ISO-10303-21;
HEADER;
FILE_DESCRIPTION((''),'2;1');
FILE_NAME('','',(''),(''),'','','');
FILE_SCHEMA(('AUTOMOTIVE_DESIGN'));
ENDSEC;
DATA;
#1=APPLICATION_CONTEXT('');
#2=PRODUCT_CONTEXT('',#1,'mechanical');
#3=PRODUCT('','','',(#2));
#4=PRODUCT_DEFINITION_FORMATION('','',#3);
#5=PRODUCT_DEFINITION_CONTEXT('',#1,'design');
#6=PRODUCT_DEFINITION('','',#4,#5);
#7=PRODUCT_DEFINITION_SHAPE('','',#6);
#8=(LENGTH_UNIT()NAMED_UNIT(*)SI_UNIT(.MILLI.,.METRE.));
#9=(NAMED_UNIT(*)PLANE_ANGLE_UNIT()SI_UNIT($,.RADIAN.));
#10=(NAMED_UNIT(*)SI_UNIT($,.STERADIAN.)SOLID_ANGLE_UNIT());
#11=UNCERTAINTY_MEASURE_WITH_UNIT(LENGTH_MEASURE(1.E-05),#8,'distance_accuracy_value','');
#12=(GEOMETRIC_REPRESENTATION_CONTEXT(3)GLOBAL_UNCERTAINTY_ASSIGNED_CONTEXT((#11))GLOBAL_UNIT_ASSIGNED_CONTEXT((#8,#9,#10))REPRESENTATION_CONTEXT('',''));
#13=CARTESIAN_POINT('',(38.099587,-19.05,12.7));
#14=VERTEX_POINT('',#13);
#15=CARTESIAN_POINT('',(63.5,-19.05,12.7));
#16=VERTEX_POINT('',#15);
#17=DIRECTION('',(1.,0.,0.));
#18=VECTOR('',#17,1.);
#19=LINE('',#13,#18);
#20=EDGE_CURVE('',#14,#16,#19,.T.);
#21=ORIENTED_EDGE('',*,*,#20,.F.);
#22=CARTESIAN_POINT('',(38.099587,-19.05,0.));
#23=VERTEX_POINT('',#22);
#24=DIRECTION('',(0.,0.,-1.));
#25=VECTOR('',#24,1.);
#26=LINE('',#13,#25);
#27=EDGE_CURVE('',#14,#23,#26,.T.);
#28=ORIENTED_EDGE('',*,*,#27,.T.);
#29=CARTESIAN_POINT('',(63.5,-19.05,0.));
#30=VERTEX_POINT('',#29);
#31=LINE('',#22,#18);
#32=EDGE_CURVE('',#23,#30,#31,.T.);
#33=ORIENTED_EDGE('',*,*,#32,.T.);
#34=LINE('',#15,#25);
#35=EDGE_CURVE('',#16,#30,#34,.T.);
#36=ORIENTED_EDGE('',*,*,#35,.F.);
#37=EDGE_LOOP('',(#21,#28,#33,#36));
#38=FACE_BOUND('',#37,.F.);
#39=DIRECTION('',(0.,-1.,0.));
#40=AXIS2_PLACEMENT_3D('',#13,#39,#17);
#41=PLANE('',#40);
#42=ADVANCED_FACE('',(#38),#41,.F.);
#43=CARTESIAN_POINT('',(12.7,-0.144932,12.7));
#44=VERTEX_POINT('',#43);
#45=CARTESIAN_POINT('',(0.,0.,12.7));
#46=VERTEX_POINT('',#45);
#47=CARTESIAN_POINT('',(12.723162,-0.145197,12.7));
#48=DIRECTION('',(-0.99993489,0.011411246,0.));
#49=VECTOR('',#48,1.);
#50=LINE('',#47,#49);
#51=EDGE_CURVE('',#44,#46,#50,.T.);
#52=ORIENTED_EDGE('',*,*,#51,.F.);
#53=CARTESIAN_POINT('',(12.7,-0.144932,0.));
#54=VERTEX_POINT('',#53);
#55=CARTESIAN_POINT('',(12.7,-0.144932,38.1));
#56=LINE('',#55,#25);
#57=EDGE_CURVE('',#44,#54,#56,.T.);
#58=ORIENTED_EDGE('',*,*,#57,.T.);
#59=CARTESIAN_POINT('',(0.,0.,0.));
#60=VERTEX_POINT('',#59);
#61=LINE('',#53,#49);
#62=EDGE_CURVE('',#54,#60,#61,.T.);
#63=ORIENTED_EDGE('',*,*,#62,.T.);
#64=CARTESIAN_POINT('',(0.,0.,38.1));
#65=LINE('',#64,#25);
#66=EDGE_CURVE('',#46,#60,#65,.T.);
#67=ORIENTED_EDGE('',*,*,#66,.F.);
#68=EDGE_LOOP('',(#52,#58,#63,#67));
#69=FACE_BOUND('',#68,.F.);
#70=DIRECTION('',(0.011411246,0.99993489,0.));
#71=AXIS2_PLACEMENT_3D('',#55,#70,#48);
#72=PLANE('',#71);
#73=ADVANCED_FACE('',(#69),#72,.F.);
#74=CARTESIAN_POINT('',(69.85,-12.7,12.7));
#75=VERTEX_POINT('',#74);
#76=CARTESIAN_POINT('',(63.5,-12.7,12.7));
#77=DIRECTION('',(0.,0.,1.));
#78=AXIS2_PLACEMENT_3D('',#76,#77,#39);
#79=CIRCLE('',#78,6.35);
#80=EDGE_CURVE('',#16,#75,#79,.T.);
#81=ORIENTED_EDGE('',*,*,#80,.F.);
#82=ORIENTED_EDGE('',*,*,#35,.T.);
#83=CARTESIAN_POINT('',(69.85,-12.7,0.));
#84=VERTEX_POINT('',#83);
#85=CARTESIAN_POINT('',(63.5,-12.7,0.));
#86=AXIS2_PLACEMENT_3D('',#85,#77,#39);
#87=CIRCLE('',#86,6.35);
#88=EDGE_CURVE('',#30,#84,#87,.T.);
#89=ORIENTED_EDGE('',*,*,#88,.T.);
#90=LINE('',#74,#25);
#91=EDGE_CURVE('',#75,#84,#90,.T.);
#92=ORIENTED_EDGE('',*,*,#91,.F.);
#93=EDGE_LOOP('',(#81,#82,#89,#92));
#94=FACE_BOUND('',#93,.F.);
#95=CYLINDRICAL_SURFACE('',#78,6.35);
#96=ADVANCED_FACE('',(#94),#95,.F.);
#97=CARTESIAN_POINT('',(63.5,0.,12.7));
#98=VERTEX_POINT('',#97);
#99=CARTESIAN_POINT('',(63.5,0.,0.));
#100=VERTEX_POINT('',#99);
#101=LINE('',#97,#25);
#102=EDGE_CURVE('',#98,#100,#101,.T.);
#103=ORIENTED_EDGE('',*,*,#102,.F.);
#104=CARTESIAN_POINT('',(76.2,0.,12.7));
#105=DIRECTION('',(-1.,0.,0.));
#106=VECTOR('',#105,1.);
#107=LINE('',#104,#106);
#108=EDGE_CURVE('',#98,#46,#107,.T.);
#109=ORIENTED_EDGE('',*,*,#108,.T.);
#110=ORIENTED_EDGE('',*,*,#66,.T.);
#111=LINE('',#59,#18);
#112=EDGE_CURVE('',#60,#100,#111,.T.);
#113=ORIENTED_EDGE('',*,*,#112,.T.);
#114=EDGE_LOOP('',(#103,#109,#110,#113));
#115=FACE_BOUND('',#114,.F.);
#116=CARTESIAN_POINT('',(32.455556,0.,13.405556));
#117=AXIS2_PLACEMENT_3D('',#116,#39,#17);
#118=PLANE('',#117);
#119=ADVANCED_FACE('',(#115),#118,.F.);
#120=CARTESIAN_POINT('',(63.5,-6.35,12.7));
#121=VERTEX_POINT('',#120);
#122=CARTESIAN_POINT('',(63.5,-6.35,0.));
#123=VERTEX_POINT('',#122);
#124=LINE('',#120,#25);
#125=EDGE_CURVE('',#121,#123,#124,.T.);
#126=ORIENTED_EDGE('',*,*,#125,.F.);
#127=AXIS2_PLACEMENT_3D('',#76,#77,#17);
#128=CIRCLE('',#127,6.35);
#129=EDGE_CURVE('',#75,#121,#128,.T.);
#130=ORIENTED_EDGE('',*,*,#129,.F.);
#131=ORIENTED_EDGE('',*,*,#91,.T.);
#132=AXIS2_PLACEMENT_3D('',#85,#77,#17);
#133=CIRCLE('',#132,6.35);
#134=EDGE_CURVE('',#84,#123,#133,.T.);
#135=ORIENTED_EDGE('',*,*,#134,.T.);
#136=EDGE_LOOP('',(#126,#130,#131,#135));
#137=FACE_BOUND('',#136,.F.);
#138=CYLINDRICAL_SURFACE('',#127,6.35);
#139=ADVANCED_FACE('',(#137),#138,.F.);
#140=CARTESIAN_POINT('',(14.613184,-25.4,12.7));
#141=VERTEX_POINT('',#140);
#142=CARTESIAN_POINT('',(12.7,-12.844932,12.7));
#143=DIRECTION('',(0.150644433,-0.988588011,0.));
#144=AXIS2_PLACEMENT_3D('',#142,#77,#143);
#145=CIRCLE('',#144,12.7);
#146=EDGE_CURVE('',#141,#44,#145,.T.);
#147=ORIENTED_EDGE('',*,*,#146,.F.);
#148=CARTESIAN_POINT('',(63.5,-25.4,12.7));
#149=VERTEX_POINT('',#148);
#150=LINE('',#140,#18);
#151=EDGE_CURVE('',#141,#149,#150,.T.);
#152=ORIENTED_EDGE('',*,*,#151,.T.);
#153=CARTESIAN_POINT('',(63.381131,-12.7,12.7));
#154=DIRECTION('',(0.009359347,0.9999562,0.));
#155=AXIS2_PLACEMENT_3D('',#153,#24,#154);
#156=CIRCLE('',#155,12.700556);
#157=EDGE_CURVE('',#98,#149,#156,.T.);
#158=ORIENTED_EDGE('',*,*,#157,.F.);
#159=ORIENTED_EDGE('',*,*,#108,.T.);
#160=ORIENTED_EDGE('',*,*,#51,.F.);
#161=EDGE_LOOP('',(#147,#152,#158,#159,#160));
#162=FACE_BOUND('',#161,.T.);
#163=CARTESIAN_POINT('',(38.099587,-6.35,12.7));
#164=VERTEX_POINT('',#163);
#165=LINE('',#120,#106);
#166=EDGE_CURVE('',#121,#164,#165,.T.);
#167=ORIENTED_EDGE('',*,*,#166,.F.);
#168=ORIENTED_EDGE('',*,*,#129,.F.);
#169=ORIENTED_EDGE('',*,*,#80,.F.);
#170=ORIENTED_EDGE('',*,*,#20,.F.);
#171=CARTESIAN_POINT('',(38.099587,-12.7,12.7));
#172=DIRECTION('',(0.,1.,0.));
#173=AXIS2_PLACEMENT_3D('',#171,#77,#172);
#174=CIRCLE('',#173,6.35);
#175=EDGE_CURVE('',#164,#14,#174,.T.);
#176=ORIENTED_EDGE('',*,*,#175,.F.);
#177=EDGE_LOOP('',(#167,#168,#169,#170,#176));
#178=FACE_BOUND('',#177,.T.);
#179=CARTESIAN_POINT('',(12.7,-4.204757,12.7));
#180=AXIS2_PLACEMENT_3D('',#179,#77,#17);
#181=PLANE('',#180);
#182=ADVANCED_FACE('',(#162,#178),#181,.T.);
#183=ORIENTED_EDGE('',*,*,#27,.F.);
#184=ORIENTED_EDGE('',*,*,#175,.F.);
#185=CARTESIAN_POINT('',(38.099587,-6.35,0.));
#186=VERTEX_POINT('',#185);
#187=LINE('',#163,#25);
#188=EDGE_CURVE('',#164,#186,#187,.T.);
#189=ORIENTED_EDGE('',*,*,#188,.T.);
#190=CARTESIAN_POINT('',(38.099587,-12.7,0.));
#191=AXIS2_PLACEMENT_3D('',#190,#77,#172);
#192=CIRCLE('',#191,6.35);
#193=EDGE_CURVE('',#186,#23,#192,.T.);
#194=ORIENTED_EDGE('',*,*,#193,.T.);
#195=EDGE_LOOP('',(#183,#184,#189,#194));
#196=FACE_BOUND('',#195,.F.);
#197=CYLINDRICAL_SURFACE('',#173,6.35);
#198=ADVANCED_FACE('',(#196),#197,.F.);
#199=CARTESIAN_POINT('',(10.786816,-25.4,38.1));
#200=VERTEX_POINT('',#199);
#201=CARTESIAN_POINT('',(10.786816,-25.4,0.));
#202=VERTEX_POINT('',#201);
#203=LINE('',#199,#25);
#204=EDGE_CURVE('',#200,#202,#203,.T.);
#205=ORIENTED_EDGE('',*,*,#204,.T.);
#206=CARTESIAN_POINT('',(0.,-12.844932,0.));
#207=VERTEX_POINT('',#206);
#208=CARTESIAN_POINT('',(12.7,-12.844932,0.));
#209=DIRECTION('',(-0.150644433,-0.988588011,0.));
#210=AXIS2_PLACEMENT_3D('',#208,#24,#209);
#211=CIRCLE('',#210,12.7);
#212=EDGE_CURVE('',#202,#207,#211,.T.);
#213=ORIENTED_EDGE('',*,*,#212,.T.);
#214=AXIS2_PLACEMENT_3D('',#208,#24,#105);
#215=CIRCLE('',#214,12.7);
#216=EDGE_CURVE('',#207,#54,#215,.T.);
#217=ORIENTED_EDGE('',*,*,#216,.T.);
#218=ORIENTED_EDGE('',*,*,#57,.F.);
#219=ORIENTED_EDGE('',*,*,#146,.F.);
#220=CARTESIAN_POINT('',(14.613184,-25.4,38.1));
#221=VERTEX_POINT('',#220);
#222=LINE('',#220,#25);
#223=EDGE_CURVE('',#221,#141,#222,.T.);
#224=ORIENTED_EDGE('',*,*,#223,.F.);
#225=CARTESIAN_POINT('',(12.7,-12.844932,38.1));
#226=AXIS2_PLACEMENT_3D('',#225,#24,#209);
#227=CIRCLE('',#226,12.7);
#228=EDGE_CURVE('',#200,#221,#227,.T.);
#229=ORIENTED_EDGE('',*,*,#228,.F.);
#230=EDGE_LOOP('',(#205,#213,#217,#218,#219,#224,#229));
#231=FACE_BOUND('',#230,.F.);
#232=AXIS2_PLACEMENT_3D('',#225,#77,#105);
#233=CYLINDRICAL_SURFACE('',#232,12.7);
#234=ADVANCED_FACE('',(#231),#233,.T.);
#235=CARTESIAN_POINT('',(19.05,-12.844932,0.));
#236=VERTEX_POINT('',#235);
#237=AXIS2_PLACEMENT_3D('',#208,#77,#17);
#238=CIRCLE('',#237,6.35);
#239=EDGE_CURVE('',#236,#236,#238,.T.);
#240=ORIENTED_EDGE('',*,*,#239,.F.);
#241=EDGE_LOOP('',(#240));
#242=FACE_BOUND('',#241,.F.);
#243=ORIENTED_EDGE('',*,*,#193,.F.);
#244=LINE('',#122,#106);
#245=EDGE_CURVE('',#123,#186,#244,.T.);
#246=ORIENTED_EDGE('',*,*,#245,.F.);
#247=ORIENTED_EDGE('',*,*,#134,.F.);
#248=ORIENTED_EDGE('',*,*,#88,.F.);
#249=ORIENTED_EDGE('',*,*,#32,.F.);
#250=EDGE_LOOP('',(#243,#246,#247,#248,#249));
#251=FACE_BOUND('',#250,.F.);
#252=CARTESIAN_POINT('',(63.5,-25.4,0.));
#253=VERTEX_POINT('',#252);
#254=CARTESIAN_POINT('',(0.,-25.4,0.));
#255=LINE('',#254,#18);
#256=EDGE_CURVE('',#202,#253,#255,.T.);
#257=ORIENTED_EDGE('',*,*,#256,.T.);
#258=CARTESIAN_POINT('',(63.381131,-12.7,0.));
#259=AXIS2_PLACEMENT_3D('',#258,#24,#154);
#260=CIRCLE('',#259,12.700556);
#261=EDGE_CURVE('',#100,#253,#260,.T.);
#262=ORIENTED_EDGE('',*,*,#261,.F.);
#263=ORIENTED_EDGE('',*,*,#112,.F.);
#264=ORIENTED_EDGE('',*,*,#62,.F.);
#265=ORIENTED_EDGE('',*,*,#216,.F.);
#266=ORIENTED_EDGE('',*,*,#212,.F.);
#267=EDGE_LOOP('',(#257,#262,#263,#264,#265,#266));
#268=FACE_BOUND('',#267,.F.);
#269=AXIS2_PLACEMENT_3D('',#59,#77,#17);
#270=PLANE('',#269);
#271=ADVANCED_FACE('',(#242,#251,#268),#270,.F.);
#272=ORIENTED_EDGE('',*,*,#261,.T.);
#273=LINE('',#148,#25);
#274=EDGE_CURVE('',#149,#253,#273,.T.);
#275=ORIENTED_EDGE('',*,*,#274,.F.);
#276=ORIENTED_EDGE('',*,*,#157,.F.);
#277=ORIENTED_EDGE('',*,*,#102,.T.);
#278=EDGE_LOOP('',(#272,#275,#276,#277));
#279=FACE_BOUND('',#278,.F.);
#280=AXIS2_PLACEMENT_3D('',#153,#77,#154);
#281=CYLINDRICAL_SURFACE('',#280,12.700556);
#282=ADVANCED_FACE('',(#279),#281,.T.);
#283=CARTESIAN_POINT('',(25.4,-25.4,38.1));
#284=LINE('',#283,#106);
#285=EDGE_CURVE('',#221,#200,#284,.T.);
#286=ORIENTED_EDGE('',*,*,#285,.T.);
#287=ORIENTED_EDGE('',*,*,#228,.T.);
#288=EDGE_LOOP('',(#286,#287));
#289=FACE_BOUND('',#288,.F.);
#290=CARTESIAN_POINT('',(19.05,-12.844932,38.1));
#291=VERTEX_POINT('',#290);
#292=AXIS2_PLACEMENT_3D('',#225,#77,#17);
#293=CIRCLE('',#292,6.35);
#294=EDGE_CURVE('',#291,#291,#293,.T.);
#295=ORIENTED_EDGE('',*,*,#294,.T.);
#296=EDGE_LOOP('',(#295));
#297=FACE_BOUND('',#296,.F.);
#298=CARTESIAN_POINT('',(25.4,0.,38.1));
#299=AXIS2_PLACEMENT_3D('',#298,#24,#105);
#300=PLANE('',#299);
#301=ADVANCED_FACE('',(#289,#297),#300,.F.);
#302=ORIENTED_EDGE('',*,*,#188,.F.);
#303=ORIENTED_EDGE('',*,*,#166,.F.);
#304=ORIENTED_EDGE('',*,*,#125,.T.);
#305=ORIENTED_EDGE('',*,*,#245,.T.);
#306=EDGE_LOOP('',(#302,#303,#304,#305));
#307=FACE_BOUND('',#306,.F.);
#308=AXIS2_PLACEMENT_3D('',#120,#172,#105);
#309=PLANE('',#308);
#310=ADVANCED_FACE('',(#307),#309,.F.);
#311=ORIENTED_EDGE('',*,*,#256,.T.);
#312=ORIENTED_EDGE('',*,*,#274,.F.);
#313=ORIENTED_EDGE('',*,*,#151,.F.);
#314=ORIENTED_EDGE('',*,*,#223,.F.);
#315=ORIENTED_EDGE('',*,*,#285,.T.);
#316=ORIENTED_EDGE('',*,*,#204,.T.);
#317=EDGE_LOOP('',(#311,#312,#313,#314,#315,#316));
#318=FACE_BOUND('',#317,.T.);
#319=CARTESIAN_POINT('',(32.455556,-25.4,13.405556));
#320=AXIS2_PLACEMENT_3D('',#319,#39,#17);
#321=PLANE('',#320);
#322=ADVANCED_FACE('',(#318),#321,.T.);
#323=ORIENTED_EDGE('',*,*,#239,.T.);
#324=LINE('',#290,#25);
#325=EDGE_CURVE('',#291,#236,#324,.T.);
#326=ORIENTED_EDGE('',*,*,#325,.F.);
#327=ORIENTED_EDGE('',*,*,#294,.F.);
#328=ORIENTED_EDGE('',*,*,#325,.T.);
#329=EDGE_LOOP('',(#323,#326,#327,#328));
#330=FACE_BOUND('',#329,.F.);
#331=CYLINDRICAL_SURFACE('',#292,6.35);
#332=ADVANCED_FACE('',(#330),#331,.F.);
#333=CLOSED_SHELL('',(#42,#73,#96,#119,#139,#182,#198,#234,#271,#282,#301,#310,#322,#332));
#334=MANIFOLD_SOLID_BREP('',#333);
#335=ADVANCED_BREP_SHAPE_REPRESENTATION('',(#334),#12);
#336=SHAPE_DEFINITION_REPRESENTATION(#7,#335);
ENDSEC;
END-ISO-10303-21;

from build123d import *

# Parameters (mm, degrees)
F1_DEPTH = 25.4
F3_DEPTH = 25.4
F5_DEPTH = 38.1
F7_DEPTH = 12.7
F8_R     = 6.35
F9_DEPTH = 38.1


with BuildPart() as f1:
    # F0 (on Front) → F1 (new body)
    with BuildSketch(Plane.XZ):
        Polygon((0, 38.1), (0, 0), (76.2, 0), (76.2, 12.7), (25.4, 12.7), (25.4, 38.1), align=None)
    extrude(amount=F1_DEPTH)

    # F2 (on face) → F3 (cut)
    with BuildSketch(Plane.XY.offset(38.1)):
        with BuildLine():
            ThreePointArc((0, -12.8449322656), (12.7, -0.1449322656), (25.4, -12.8449322656))
            Line((25.4, -12.8449322656), (25.4, 0))
            Line((25.4, 0), (0, 0))
            Line((0, 0), (0, -12.8449322656))
        make_face()
        with BuildLine():
            Line((25.4, -25.4), (25.4, -12.8449322656))
            ThreePointArc((25.4, -12.8449322656), (22.3329497214, -21.1211801875), (14.6131843048, -25.4))
            Line((14.6131843048, -25.4), (25.4, -25.4))
        make_face()
    extrude(amount=-F3_DEPTH, mode=Mode.SUBTRACT)

    # F4 (on face) → F5 (cut)
    with BuildSketch(Plane.XY.offset(38.1)):
        with BuildLine():
            ThreePointArc((0, -12.8449322656), (3.7197438789, -3.8646761445), (12.7, -0.1449322656))
            Line((12.7, -0.1449322656), (0, 0))
            Line((0, 0), (0, -12.8449322656))
        make_face()
        with BuildLine():
            ThreePointArc((10.7868156952, -25.4), (3.0670502786, -21.1211801875), (0, -12.8449322656))
            Line((0, -12.8449322656), (0, -25.4))
            Line((0, -25.4), (10.7868156952, -25.4))
        make_face()
    extrude(amount=-F5_DEPTH, mode=Mode.SUBTRACT)

    # F6 (on face) → F7 (cut)
    with BuildSketch(Plane.XY.offset(12.7)):
        with BuildLine():
            ThreePointArc((44.4495865053, -12.7), (42.5897145658, -8.2098719395), (38.0995865053, -6.35))
            ThreePointArc((38.0995865053, -6.35), (31.7495865053, -12.7), (38.0995865053, -19.05))
            ThreePointArc((38.0995865053, -19.05), (42.5897145658, -17.1901280605), (44.4495865053, -12.7))
        make_face()
        with BuildLine():
            ThreePointArc((63.5, -19.05), (57.15, -12.7), (63.5, -6.35))
            Line((63.5, -6.35), (38.0995865053, -6.35))
            ThreePointArc((38.0995865053, -6.35), (42.5897145658, -8.2098719395), (44.4495865053, -12.7))
            ThreePointArc((44.4495865053, -12.7), (42.5897145658, -17.1901280605), (38.0995865053, -19.05))
            Line((38.0995865053, -19.05), (63.5, -19.05))
        make_face()
        with BuildLine():
            ThreePointArc((63.5, -19.05), (67.9901280605, -17.1901280605), (69.85, -12.7))
            ThreePointArc((69.85, -12.7), (67.9901280605, -8.2098719395), (63.5, -6.35))
            ThreePointArc((63.5, -6.35), (57.15, -12.7), (63.5, -19.05))
        make_face()
        with BuildLine():
            ThreePointArc((63.5, 0), (76.0816873659, -12.7), (63.5, -25.4))
            Line((63.5, -25.4), (76.2, -25.4))
            Line((76.2, -25.4), (76.2, 0))
            Line((76.2, 0), (63.5, 0))
        make_face()
    extrude(amount=-F7_DEPTH, mode=Mode.SUBTRACT)

    # F8 (on face) → F9 (cut)
    with BuildSketch(Plane.XY.offset(38.1)):
        with Locations((12.7, -12.8449322656)):
            Circle(F8_R)
    extrude(amount=-F9_DEPTH, mode=Mode.SUBTRACT)


solid = f1.part
